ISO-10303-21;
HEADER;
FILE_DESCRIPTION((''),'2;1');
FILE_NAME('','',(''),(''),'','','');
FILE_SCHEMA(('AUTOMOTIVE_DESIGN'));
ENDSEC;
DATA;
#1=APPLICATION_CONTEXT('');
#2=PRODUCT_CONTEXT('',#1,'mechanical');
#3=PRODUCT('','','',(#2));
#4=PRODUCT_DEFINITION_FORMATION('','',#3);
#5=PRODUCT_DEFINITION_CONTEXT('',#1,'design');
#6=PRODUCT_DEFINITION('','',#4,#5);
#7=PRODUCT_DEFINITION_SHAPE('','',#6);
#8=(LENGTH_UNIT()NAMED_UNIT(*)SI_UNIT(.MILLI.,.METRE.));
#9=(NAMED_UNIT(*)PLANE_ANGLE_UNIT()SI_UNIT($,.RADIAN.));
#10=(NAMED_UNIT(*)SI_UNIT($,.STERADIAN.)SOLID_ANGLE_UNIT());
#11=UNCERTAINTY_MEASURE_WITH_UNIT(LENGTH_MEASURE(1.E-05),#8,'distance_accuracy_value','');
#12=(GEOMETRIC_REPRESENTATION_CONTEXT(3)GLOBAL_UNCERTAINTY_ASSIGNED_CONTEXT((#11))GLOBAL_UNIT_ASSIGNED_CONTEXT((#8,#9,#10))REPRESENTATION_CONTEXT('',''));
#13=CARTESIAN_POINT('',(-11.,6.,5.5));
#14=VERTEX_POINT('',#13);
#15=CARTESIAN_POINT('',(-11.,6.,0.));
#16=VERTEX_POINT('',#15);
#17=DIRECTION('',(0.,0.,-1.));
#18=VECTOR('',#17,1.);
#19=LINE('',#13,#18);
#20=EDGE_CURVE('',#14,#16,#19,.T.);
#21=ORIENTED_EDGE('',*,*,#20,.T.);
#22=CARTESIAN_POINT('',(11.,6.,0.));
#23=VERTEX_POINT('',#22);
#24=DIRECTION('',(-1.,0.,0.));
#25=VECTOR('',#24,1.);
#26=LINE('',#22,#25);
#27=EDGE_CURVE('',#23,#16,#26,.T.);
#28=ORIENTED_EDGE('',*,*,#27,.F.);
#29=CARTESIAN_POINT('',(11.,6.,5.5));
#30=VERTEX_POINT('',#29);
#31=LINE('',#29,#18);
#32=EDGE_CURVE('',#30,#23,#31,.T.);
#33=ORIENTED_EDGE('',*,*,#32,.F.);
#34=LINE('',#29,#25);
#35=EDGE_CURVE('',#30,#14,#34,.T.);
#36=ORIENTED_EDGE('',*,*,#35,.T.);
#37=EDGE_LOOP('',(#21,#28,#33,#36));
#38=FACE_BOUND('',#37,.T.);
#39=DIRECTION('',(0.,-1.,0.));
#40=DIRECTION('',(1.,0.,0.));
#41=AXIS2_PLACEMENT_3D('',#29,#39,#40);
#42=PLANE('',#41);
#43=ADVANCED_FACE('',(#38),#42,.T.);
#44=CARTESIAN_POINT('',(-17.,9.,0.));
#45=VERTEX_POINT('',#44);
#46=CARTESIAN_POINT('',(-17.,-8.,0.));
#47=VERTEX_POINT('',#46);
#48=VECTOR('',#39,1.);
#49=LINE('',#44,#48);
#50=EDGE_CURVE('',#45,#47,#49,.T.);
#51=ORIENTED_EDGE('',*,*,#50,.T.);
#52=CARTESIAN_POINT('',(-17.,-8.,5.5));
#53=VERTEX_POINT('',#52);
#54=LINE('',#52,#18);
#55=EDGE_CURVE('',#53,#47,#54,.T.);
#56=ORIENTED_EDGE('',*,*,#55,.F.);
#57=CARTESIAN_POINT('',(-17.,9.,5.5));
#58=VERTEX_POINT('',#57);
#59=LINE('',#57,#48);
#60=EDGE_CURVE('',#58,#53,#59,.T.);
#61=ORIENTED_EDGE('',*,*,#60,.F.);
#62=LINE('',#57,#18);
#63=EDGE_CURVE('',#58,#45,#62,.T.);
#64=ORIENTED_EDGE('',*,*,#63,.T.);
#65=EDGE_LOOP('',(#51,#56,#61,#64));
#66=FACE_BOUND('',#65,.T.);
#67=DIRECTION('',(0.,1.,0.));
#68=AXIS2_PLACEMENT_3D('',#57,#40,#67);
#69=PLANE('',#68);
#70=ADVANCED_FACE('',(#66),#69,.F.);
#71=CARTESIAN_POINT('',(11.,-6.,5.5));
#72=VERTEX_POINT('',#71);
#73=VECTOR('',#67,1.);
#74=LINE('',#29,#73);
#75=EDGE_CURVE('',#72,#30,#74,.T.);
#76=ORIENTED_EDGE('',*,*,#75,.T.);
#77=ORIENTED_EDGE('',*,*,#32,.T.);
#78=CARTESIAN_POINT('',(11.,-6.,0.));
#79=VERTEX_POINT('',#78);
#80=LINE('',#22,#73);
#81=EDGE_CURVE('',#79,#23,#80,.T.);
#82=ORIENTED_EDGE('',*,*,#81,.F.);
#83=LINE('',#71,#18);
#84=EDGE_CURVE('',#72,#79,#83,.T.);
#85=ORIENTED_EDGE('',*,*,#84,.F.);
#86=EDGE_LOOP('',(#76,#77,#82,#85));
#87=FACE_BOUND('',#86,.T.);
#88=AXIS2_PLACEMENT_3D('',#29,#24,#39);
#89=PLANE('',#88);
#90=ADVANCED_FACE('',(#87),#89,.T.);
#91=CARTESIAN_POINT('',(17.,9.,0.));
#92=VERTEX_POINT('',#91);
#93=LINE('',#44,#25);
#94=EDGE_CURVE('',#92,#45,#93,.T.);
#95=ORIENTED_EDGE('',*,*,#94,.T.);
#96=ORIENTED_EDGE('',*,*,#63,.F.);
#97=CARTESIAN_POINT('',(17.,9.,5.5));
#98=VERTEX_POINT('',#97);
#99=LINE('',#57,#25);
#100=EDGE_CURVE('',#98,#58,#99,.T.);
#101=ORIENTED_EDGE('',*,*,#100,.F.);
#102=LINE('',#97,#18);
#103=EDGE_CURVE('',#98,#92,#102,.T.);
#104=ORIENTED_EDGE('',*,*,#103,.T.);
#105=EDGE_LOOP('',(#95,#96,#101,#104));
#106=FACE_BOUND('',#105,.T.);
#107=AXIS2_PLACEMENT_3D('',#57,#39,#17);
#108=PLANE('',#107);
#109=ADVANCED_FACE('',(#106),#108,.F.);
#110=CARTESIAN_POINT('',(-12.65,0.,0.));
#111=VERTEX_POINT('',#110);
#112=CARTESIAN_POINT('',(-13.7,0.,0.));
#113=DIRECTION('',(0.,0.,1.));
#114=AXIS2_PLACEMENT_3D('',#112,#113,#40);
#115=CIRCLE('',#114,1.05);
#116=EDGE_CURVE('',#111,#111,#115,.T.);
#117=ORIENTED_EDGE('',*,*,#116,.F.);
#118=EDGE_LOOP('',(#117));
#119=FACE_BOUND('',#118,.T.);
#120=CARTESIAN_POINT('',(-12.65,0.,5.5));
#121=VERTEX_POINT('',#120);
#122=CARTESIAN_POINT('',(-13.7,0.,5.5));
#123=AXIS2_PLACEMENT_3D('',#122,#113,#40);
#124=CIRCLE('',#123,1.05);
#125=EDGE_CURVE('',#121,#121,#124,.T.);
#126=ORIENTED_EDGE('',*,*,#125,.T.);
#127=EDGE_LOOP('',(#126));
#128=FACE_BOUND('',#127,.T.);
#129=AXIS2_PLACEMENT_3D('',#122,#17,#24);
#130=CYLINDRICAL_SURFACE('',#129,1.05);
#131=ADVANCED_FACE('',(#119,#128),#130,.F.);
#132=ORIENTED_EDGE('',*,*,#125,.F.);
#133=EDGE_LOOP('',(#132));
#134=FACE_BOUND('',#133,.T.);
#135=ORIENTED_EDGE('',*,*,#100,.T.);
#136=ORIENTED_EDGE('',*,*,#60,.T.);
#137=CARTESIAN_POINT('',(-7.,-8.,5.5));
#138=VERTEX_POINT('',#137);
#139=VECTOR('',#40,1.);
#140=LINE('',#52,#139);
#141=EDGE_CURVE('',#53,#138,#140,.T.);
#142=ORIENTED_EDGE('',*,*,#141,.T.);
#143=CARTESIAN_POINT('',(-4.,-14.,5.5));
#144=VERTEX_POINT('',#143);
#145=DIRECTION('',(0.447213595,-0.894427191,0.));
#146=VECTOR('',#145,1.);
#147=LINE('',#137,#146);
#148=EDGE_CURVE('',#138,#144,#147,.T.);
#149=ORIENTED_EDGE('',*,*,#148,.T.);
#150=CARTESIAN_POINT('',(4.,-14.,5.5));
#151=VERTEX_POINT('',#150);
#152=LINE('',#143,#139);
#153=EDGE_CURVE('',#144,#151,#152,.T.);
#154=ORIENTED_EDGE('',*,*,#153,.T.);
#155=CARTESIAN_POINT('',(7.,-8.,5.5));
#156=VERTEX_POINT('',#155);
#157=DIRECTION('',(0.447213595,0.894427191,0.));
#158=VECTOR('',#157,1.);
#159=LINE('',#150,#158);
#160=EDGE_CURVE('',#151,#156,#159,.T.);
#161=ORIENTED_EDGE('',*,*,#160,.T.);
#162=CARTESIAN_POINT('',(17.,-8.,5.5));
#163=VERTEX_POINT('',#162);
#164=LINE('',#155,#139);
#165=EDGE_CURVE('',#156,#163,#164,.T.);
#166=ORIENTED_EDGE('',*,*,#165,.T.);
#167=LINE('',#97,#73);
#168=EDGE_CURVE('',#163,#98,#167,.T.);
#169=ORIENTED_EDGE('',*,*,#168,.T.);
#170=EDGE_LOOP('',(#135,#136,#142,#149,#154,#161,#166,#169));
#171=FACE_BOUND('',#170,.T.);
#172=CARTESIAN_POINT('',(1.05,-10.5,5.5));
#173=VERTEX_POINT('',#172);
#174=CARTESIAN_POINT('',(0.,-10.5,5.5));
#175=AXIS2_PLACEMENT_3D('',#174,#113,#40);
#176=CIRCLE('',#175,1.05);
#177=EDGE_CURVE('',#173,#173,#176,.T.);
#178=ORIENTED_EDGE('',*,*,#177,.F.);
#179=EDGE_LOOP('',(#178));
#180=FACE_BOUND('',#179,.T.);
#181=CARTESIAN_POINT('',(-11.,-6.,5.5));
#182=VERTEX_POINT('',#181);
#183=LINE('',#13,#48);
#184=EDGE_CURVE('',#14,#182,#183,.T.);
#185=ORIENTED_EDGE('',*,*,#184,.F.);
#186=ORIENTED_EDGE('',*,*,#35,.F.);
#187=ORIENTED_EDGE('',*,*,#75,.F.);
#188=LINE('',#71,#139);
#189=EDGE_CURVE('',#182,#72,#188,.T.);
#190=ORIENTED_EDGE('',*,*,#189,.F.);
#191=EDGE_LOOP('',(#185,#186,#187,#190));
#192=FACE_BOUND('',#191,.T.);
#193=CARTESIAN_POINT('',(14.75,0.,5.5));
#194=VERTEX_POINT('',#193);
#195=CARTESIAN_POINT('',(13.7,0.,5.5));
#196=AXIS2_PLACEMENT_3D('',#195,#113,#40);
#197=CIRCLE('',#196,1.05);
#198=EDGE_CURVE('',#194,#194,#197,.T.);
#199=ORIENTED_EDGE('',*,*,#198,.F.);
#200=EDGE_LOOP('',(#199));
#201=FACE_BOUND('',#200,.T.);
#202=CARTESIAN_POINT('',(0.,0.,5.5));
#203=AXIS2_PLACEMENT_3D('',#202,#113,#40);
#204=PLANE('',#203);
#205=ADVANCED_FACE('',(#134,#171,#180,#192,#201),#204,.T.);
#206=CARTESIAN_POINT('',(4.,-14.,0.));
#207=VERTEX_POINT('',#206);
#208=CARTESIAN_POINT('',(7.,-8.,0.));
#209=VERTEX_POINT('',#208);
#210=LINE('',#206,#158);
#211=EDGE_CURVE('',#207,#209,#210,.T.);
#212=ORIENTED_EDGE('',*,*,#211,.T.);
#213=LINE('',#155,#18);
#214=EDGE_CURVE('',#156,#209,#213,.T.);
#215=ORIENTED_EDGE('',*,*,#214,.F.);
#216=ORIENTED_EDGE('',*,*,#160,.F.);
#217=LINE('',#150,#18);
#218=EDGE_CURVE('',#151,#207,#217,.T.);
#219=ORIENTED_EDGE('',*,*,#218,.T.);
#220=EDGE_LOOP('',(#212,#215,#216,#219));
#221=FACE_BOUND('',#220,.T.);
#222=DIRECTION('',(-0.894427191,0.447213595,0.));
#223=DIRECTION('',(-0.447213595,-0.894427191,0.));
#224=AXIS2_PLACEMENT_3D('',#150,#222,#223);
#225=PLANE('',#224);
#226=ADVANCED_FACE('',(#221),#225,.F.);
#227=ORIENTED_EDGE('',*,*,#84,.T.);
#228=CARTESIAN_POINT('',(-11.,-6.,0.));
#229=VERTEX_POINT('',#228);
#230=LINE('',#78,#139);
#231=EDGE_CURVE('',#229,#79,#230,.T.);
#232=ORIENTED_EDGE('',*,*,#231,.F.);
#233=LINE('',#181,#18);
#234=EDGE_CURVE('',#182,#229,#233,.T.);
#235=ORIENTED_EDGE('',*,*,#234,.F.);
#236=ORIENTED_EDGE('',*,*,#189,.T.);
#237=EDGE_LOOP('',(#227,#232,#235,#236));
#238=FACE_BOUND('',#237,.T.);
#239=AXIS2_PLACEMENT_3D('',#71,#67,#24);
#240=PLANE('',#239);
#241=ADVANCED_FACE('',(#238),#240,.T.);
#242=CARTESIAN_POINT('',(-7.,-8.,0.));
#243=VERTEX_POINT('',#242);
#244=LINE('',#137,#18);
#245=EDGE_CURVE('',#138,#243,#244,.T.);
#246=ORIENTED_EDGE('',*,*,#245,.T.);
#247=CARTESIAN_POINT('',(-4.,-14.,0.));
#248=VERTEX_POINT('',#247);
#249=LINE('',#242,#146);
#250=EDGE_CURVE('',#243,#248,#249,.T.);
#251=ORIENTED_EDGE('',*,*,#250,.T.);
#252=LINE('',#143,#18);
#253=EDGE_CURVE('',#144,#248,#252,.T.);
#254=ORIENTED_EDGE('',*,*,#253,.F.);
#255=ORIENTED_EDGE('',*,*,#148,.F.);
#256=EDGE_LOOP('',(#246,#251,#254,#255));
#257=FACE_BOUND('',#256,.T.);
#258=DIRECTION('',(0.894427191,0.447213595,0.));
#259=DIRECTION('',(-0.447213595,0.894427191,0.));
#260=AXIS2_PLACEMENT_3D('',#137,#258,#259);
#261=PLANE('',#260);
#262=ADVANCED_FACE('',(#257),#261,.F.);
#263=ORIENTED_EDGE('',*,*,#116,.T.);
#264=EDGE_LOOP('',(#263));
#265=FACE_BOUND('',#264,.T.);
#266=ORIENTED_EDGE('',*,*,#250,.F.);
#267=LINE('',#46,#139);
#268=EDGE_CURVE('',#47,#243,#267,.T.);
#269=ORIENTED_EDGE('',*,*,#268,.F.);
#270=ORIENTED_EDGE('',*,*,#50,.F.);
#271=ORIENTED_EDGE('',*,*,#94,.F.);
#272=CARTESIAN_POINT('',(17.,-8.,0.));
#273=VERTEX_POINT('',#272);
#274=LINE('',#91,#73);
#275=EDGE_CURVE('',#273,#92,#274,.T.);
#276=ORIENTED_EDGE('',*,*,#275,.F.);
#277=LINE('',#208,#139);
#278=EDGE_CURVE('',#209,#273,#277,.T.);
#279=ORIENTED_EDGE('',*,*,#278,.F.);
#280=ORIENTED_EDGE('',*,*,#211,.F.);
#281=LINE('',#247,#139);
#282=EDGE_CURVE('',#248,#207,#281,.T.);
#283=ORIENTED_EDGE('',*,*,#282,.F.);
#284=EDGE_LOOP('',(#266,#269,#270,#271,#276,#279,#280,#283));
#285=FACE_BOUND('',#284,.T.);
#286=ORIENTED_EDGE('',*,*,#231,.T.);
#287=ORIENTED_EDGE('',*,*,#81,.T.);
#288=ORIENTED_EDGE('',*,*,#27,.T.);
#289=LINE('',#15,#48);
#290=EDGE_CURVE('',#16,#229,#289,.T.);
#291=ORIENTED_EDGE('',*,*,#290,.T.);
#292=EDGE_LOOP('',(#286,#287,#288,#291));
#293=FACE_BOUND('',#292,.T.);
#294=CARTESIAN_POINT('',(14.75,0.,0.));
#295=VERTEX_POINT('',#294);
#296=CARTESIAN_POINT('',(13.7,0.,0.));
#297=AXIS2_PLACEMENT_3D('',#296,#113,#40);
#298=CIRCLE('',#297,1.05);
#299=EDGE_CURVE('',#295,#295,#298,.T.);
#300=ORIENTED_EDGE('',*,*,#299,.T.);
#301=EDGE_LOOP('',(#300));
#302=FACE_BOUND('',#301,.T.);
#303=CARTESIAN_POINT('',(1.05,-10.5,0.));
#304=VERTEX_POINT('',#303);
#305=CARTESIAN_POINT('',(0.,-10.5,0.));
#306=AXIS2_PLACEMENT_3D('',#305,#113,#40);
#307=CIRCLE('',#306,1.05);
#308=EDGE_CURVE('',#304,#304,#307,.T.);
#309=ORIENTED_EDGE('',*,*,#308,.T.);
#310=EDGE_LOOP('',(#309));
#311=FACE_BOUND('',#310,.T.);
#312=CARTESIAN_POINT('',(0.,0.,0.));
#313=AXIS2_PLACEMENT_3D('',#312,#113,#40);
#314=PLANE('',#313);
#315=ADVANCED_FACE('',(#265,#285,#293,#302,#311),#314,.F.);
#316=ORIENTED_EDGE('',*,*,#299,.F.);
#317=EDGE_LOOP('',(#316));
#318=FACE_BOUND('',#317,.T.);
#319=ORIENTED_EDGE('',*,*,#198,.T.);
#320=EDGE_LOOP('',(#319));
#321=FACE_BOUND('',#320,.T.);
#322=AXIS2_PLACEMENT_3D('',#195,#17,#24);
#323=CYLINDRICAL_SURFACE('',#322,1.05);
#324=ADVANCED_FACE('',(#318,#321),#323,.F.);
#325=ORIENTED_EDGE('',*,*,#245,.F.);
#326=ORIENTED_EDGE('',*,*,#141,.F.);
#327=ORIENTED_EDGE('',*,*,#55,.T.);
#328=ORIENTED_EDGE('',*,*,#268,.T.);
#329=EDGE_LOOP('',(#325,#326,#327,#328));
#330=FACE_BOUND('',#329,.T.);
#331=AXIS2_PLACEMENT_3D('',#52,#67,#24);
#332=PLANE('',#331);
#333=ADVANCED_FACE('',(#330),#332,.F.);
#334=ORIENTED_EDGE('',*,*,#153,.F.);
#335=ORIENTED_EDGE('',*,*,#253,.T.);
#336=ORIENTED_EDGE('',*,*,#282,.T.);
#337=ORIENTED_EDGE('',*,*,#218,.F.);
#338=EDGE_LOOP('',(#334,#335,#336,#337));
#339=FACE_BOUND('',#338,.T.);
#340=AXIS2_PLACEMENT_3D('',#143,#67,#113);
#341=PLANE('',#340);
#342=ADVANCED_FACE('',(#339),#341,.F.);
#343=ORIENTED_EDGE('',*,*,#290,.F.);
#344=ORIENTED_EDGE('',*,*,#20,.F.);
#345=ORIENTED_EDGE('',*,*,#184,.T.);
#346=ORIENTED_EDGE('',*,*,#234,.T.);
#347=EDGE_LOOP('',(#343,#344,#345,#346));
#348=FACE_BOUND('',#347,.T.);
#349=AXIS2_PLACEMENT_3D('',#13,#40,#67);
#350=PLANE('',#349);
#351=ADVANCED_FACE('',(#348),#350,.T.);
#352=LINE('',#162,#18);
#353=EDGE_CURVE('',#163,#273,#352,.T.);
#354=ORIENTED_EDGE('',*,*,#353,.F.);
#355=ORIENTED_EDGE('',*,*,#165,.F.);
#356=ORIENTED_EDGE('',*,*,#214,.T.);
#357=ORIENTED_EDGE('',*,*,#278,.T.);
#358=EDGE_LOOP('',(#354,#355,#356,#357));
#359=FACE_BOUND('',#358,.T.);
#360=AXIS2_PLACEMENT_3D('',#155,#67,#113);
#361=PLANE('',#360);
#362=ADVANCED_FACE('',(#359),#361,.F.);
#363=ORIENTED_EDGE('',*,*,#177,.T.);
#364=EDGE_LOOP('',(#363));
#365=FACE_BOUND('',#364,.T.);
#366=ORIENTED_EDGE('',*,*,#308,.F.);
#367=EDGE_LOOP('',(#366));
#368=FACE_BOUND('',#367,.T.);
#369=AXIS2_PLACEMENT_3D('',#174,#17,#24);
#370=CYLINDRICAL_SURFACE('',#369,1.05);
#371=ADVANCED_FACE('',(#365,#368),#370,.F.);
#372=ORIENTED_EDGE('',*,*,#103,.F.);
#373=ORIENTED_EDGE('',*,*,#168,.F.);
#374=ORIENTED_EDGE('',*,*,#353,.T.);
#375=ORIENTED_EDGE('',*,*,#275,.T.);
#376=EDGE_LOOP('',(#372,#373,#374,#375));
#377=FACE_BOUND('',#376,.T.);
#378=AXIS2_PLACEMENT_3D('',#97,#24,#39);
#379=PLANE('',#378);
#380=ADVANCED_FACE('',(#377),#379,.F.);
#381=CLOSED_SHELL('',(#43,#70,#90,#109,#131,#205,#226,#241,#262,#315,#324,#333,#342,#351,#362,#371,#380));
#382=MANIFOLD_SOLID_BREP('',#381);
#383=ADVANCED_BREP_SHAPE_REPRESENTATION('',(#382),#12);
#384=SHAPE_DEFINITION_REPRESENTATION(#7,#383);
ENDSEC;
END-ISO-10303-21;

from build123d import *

# Parameters (mm, degrees)
SKETCH_1_R      = 1.05
SKETCH_1_W      = 22
SKETCH_1_H      = 12
EXTRUDE_1_DEPTH = 5.5


with BuildPart() as part:
    # ｽｹｯﾁ1 → ﾎﾞｽ - 押し出し1 (new body)
    with BuildSketch(Plane.XY):
        Polygon((-17, -8), (-7, -8), (-4, -14), (4, -14), (7, -8), (17, -8), (17, 9), (-17, 9), align=None)
        with Locations((-13.7, 0)):
            Circle(SKETCH_1_R, mode=Mode.SUBTRACT)
        with Locations((13.7, 0)):
            Circle(SKETCH_1_R, mode=Mode.SUBTRACT)
        with Locations((0, -10.5)):
            Circle(SKETCH_1_R, mode=Mode.SUBTRACT)
        Rectangle(SKETCH_1_W, SKETCH_1_H, mode=Mode.SUBTRACT)
    extrude(amount=EXTRUDE_1_DEPTH)


solid = part.part
